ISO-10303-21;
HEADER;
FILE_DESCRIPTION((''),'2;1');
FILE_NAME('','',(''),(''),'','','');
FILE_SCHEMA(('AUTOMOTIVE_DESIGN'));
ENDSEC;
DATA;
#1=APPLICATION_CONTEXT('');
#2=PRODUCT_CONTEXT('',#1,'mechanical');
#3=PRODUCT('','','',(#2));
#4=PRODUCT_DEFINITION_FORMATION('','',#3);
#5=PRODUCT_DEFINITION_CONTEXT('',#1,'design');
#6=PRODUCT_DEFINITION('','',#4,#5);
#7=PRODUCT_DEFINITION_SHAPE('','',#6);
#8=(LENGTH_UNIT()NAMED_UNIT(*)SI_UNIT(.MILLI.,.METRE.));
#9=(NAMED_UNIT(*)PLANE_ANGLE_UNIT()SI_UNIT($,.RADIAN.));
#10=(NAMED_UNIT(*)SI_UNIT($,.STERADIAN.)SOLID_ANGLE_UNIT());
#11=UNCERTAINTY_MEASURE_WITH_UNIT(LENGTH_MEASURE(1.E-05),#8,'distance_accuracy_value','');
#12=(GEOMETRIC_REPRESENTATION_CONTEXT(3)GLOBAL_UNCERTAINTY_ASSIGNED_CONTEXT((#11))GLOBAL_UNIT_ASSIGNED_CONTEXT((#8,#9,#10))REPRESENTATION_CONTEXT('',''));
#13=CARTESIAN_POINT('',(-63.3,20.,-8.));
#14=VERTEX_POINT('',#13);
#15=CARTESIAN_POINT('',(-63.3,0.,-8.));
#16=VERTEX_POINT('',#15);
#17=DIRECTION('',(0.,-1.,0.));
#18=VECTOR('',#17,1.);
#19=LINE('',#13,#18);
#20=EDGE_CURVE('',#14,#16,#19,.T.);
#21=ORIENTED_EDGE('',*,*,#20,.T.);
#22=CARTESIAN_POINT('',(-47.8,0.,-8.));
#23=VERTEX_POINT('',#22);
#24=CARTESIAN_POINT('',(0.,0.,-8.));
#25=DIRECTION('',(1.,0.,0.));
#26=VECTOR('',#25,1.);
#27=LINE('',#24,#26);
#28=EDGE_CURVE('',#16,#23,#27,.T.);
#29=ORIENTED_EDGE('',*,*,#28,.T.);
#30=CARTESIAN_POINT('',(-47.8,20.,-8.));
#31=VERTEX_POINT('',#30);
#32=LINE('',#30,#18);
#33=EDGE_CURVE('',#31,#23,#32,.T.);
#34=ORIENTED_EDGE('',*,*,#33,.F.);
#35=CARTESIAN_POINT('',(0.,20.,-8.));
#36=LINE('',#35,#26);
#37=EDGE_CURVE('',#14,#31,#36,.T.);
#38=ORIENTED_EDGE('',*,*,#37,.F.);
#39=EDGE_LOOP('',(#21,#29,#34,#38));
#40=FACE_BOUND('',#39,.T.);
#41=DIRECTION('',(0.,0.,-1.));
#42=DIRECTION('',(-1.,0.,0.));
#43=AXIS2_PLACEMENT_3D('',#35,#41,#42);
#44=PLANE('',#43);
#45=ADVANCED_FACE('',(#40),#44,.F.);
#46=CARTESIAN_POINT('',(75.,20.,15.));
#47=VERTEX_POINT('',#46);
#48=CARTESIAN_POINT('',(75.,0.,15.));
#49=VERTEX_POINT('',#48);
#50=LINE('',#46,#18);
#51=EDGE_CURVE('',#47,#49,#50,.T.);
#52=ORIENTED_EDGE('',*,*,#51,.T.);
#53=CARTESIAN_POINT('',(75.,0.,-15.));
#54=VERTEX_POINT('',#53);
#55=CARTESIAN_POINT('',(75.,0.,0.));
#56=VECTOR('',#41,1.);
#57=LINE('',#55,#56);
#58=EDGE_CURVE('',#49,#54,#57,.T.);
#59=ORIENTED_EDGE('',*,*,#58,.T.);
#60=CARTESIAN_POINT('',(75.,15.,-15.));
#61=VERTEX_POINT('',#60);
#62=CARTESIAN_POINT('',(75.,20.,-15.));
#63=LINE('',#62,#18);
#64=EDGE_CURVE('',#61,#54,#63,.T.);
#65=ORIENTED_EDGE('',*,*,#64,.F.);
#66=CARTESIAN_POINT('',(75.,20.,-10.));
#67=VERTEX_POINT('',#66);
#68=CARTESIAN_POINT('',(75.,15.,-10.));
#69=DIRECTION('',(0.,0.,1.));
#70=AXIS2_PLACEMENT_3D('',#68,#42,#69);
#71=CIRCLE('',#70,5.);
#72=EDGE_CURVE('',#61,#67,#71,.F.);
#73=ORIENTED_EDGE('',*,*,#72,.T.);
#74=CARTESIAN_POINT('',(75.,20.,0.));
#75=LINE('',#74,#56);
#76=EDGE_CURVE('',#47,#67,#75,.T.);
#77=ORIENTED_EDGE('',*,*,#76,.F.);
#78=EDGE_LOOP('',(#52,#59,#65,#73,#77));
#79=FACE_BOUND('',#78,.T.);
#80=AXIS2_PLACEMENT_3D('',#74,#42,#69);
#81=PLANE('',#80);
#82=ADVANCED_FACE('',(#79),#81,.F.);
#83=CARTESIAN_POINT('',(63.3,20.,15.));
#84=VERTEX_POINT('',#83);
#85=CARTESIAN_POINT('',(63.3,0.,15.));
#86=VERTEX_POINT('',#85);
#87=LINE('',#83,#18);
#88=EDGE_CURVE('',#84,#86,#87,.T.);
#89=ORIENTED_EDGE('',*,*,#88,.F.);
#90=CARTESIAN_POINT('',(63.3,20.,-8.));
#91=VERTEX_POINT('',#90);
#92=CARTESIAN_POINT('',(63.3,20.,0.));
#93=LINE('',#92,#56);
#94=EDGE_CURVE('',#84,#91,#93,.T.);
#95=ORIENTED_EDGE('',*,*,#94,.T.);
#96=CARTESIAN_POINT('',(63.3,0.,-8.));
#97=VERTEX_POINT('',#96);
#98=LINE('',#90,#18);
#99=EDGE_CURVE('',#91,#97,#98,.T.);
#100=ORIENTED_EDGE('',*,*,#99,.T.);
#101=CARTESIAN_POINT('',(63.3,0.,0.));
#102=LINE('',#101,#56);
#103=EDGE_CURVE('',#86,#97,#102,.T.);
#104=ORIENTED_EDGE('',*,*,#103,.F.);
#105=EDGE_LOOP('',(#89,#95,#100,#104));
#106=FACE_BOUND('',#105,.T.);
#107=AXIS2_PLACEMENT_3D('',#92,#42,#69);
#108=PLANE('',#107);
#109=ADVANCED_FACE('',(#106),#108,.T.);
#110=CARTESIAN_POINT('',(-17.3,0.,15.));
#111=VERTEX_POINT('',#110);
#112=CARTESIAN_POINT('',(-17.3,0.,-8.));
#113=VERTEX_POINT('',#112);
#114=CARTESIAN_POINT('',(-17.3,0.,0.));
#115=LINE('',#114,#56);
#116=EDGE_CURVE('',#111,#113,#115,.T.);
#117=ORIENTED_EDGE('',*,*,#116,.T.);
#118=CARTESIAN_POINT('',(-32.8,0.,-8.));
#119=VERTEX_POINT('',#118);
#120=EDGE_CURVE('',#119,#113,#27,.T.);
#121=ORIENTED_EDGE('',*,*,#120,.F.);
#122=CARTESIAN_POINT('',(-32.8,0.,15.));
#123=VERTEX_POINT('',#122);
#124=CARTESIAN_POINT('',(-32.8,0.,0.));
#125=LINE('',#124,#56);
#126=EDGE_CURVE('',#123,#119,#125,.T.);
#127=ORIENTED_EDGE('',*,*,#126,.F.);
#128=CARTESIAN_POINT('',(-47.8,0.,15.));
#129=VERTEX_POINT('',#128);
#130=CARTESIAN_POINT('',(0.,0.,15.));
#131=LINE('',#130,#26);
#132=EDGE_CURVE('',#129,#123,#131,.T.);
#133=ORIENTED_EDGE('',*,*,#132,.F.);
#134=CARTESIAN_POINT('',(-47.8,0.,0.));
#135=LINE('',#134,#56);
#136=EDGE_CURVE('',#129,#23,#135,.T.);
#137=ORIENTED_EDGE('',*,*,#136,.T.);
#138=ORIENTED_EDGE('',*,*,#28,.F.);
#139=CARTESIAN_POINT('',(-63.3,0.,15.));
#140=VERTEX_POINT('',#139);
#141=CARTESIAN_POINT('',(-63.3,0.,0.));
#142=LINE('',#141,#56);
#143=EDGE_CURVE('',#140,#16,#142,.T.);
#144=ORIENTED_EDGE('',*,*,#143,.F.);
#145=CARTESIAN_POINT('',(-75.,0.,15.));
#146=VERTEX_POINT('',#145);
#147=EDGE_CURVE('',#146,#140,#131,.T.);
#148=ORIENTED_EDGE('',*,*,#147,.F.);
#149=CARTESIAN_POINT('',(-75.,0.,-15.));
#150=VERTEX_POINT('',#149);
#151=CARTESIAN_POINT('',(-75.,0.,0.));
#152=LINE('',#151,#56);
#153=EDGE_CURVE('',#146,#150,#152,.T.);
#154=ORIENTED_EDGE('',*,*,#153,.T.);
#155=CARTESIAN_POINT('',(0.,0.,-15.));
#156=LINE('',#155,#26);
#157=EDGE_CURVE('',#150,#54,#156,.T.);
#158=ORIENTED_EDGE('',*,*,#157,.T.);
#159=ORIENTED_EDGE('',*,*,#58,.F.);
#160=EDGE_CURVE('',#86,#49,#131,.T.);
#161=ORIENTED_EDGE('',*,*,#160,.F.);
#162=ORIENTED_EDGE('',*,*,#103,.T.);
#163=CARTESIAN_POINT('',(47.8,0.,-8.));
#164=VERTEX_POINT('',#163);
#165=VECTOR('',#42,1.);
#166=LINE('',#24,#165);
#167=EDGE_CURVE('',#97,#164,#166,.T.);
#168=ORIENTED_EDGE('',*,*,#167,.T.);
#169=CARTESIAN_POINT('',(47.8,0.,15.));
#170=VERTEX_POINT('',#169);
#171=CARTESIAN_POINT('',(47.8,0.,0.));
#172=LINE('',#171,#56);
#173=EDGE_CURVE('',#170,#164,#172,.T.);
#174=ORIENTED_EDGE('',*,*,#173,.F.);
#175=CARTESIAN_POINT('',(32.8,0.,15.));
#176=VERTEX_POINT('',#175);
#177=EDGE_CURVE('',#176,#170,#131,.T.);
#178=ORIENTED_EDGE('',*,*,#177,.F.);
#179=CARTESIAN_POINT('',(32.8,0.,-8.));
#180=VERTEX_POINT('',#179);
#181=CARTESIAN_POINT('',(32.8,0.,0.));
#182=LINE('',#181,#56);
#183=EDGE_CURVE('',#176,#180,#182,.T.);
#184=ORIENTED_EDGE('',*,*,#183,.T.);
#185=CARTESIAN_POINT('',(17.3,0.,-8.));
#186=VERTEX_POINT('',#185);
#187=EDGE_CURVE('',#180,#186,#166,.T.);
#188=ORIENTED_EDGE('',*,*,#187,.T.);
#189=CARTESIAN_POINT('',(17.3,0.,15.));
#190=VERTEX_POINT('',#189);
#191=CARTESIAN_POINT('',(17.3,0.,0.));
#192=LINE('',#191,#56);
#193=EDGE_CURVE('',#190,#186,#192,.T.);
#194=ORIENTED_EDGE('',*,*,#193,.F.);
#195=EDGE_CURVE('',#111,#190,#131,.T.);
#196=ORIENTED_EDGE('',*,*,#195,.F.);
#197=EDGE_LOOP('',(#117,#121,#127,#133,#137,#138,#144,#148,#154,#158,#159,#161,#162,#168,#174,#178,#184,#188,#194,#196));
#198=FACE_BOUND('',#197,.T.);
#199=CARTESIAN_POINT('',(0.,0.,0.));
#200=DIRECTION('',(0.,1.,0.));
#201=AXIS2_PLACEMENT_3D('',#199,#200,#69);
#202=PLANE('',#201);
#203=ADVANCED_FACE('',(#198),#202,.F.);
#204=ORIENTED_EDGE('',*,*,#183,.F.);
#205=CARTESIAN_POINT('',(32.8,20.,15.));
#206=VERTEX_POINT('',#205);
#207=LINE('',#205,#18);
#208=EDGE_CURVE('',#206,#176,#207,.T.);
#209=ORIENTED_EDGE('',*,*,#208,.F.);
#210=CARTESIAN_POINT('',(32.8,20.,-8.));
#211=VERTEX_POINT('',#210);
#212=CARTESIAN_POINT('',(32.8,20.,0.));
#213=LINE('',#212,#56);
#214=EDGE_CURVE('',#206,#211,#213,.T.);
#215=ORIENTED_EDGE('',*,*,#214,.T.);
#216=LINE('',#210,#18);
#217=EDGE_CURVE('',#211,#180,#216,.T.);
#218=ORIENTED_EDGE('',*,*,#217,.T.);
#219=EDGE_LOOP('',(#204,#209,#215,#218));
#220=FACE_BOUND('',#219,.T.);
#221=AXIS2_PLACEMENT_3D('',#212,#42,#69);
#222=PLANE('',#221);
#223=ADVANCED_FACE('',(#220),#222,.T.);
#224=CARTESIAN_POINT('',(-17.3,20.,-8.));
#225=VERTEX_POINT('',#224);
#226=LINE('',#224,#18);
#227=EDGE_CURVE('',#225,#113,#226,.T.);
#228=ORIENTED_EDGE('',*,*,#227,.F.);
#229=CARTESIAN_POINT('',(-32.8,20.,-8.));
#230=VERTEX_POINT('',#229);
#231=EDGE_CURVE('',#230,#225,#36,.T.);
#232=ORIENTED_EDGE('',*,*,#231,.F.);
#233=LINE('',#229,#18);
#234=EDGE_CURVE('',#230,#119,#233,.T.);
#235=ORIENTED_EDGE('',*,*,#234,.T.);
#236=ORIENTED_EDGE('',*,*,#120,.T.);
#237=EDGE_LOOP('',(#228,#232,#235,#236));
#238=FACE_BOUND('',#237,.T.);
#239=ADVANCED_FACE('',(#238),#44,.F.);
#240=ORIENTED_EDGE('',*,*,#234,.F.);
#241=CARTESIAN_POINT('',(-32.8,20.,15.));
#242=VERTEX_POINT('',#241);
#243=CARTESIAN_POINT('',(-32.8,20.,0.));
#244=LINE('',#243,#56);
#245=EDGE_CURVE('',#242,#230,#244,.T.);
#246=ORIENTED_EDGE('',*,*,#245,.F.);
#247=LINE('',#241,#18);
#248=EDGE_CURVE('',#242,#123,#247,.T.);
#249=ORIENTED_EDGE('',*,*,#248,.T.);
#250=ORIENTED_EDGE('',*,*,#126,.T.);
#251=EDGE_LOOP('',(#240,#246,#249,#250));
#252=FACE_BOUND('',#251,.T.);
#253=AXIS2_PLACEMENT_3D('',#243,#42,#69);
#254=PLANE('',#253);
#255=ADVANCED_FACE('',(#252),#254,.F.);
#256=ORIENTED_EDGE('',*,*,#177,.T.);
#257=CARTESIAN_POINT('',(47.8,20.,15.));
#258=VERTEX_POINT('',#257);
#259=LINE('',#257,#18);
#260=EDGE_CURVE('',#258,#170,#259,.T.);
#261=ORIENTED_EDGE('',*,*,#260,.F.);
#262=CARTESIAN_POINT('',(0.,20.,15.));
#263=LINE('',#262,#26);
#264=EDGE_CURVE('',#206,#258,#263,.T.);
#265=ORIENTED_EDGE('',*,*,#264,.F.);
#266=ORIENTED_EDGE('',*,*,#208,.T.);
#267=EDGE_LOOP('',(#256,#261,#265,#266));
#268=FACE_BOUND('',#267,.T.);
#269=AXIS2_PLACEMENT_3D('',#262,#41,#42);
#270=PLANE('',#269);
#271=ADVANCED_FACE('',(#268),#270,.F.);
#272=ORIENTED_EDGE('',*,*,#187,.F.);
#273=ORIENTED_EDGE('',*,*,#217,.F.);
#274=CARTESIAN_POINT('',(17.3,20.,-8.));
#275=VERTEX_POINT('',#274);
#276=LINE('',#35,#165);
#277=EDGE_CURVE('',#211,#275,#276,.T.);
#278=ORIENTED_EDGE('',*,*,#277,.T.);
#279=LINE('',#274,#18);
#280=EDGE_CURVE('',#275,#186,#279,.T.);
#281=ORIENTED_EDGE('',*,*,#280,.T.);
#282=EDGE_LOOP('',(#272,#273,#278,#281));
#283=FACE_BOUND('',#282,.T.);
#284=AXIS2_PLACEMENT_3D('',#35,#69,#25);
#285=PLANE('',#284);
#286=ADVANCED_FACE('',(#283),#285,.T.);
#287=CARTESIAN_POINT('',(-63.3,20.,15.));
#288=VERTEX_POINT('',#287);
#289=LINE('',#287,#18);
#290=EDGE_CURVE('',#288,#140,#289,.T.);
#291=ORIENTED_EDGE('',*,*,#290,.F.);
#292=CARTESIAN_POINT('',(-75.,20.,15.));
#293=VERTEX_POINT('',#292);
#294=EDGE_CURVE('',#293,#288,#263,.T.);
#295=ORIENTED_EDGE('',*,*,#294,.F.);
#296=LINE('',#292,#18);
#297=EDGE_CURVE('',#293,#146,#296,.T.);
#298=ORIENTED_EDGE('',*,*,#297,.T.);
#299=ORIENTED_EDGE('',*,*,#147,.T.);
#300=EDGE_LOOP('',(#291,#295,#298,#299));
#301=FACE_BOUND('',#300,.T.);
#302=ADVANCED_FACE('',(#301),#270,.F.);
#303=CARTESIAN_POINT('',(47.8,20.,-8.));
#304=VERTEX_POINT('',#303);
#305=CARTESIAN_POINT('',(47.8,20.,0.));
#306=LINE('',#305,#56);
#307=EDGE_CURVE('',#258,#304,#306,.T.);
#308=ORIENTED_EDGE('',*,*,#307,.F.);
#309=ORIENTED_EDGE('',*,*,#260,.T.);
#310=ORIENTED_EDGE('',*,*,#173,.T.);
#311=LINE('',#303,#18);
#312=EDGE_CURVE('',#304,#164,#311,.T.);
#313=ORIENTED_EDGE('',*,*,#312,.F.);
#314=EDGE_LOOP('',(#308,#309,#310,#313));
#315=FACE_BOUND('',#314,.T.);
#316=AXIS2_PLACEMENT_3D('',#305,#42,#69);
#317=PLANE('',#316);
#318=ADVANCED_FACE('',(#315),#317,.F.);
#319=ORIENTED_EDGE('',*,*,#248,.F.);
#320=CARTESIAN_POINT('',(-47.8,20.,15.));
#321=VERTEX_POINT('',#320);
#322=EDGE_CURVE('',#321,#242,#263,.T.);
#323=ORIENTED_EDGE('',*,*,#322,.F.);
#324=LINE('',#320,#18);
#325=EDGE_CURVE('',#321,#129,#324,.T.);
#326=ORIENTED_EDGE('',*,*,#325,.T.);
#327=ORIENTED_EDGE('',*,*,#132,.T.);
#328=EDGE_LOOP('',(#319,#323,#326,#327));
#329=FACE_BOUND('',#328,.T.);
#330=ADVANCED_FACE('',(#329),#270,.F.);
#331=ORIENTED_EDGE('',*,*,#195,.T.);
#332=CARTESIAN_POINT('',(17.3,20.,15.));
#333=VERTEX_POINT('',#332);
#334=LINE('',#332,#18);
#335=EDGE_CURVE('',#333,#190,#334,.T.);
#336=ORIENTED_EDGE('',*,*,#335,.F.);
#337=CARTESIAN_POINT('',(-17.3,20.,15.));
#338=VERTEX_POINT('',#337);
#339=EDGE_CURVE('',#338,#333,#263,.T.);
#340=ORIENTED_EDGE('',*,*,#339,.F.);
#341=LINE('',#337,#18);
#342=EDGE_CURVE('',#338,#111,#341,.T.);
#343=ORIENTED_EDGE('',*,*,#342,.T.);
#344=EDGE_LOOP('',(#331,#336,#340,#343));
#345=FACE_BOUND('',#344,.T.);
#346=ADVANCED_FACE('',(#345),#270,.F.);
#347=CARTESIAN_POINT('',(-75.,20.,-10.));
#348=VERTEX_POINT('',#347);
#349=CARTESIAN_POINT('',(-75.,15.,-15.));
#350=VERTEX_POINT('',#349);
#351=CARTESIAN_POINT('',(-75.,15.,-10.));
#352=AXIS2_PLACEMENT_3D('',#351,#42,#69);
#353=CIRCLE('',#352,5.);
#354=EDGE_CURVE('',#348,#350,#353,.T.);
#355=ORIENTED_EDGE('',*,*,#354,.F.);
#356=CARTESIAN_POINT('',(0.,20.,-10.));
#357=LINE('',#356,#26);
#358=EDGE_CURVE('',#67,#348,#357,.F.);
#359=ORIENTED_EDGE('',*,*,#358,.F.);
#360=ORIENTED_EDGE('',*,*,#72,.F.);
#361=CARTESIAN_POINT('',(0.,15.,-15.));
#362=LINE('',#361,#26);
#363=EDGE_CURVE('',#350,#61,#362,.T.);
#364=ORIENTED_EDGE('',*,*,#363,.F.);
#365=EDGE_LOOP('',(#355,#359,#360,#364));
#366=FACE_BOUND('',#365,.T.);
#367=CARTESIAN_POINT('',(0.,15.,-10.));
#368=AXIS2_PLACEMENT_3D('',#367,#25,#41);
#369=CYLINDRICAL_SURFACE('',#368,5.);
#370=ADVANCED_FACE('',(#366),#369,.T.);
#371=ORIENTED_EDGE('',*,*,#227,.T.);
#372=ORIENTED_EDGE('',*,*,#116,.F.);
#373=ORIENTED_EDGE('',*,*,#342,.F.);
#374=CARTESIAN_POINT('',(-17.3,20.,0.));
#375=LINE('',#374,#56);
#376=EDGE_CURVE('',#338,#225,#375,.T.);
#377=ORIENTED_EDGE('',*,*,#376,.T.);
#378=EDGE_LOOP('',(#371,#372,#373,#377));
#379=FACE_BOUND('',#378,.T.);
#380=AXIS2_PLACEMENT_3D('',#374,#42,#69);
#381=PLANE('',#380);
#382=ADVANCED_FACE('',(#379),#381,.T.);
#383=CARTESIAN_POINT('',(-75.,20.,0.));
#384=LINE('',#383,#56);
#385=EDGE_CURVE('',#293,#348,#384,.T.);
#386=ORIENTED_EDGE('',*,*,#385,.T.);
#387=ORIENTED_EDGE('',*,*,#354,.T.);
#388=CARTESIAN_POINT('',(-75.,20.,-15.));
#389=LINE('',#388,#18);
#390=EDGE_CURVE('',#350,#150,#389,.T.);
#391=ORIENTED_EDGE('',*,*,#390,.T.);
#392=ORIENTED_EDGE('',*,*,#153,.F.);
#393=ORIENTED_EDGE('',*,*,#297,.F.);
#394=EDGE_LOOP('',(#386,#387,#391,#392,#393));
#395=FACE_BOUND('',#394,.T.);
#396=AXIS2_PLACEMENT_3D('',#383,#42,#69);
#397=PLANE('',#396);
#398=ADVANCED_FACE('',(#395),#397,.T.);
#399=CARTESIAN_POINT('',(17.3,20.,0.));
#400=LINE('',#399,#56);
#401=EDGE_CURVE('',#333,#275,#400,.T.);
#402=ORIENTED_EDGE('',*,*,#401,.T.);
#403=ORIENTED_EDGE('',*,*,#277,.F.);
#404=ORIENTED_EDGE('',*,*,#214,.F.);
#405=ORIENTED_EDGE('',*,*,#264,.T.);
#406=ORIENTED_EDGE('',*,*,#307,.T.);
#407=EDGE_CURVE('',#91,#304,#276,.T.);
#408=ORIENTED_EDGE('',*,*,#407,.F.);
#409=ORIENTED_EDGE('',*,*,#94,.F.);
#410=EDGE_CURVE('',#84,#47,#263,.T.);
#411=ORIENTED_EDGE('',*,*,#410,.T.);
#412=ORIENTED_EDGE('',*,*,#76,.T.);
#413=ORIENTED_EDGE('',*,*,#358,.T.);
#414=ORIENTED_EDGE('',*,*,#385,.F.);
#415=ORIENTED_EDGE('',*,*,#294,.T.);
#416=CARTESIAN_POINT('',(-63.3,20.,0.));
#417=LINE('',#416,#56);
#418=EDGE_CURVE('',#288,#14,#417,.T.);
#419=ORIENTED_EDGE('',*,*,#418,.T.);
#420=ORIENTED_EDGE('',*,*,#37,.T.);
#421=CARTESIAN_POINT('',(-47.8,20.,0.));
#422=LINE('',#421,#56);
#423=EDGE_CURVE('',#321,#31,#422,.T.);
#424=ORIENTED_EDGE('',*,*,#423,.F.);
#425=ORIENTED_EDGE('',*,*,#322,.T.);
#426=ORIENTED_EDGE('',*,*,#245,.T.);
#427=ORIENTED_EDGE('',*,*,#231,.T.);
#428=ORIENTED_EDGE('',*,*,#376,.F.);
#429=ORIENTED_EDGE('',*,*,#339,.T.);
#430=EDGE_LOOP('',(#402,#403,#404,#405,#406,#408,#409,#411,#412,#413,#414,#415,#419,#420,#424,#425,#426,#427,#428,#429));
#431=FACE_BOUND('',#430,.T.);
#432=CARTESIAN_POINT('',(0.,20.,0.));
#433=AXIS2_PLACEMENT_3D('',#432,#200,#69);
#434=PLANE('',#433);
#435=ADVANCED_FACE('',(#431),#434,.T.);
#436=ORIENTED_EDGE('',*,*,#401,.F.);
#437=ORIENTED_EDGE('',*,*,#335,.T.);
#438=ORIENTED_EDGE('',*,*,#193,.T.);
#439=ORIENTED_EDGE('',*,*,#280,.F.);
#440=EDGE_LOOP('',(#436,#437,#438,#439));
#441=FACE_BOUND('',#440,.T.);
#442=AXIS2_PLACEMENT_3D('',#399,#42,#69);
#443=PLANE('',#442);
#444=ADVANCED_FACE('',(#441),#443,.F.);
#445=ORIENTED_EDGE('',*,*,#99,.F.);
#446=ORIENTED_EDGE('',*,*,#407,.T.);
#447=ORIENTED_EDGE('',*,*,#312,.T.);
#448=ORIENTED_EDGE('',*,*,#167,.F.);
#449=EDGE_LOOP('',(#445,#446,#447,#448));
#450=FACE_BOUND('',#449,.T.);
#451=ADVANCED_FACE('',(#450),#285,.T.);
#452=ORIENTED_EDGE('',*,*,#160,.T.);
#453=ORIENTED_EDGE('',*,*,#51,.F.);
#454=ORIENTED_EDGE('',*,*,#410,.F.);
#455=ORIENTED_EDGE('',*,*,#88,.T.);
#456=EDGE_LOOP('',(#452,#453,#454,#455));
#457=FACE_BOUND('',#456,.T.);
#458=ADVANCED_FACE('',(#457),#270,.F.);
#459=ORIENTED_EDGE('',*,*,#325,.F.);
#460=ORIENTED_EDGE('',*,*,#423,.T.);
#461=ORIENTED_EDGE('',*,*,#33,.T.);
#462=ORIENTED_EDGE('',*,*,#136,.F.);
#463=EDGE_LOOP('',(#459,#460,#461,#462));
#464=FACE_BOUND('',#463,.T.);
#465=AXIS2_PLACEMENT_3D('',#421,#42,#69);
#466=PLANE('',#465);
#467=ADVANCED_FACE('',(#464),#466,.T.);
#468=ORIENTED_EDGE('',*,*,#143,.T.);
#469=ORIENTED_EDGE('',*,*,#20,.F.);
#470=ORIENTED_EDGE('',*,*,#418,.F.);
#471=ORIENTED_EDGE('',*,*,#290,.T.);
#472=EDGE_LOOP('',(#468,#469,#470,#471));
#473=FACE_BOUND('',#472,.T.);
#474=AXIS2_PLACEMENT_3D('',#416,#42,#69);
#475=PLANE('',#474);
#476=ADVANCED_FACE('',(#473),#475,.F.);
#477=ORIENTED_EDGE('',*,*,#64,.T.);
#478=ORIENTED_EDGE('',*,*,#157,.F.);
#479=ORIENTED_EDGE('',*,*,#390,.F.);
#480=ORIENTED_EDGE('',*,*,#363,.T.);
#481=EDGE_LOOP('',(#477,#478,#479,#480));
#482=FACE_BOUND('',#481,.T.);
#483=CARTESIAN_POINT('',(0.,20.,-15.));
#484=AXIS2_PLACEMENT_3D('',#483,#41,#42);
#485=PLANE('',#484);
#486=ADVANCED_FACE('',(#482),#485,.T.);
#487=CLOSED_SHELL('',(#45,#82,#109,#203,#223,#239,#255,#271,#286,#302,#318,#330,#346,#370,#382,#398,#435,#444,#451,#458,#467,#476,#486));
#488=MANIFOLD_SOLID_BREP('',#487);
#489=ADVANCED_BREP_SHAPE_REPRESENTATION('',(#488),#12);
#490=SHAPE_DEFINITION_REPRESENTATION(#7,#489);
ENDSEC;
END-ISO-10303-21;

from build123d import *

# Parameters (mm, degrees)
BOSS_EXTRUDE1_DEPTH = 20
FILLET1_R           = 5


with BuildPart() as part:
    # Sketch1 → Boss-Extrude1 (new body)
    with BuildSketch(Plane(origin=(0, 0, 0), x_dir=(1, 0, 0), z_dir=(0, 1, 0))):
        Polygon((-75, 15), (-75, -15), (-63.3, -15), (-63.3, 8), (-47.8, 8), (-47.8, -15), (-32.8, -15), (-32.8, 8), (-17.3, 8), (-17.3, -15), (17.3, -15), (17.3, 8), (32.8, 8), (32.8, -15), (47.8, -15), (47.8, 8), (63.3, 8), (63.3, -15), (75, -15), (75, 15), align=None)
    extrude(amount=BOSS_EXTRUDE1_DEPTH)

    # Fillet1
    fillet1_edges = [part.edges().sort_by_distance(p)[0] for p in [
        (0, 20, -15),
    ]]
    fillet(fillet1_edges, radius=FILLET1_R)


solid = part.part
